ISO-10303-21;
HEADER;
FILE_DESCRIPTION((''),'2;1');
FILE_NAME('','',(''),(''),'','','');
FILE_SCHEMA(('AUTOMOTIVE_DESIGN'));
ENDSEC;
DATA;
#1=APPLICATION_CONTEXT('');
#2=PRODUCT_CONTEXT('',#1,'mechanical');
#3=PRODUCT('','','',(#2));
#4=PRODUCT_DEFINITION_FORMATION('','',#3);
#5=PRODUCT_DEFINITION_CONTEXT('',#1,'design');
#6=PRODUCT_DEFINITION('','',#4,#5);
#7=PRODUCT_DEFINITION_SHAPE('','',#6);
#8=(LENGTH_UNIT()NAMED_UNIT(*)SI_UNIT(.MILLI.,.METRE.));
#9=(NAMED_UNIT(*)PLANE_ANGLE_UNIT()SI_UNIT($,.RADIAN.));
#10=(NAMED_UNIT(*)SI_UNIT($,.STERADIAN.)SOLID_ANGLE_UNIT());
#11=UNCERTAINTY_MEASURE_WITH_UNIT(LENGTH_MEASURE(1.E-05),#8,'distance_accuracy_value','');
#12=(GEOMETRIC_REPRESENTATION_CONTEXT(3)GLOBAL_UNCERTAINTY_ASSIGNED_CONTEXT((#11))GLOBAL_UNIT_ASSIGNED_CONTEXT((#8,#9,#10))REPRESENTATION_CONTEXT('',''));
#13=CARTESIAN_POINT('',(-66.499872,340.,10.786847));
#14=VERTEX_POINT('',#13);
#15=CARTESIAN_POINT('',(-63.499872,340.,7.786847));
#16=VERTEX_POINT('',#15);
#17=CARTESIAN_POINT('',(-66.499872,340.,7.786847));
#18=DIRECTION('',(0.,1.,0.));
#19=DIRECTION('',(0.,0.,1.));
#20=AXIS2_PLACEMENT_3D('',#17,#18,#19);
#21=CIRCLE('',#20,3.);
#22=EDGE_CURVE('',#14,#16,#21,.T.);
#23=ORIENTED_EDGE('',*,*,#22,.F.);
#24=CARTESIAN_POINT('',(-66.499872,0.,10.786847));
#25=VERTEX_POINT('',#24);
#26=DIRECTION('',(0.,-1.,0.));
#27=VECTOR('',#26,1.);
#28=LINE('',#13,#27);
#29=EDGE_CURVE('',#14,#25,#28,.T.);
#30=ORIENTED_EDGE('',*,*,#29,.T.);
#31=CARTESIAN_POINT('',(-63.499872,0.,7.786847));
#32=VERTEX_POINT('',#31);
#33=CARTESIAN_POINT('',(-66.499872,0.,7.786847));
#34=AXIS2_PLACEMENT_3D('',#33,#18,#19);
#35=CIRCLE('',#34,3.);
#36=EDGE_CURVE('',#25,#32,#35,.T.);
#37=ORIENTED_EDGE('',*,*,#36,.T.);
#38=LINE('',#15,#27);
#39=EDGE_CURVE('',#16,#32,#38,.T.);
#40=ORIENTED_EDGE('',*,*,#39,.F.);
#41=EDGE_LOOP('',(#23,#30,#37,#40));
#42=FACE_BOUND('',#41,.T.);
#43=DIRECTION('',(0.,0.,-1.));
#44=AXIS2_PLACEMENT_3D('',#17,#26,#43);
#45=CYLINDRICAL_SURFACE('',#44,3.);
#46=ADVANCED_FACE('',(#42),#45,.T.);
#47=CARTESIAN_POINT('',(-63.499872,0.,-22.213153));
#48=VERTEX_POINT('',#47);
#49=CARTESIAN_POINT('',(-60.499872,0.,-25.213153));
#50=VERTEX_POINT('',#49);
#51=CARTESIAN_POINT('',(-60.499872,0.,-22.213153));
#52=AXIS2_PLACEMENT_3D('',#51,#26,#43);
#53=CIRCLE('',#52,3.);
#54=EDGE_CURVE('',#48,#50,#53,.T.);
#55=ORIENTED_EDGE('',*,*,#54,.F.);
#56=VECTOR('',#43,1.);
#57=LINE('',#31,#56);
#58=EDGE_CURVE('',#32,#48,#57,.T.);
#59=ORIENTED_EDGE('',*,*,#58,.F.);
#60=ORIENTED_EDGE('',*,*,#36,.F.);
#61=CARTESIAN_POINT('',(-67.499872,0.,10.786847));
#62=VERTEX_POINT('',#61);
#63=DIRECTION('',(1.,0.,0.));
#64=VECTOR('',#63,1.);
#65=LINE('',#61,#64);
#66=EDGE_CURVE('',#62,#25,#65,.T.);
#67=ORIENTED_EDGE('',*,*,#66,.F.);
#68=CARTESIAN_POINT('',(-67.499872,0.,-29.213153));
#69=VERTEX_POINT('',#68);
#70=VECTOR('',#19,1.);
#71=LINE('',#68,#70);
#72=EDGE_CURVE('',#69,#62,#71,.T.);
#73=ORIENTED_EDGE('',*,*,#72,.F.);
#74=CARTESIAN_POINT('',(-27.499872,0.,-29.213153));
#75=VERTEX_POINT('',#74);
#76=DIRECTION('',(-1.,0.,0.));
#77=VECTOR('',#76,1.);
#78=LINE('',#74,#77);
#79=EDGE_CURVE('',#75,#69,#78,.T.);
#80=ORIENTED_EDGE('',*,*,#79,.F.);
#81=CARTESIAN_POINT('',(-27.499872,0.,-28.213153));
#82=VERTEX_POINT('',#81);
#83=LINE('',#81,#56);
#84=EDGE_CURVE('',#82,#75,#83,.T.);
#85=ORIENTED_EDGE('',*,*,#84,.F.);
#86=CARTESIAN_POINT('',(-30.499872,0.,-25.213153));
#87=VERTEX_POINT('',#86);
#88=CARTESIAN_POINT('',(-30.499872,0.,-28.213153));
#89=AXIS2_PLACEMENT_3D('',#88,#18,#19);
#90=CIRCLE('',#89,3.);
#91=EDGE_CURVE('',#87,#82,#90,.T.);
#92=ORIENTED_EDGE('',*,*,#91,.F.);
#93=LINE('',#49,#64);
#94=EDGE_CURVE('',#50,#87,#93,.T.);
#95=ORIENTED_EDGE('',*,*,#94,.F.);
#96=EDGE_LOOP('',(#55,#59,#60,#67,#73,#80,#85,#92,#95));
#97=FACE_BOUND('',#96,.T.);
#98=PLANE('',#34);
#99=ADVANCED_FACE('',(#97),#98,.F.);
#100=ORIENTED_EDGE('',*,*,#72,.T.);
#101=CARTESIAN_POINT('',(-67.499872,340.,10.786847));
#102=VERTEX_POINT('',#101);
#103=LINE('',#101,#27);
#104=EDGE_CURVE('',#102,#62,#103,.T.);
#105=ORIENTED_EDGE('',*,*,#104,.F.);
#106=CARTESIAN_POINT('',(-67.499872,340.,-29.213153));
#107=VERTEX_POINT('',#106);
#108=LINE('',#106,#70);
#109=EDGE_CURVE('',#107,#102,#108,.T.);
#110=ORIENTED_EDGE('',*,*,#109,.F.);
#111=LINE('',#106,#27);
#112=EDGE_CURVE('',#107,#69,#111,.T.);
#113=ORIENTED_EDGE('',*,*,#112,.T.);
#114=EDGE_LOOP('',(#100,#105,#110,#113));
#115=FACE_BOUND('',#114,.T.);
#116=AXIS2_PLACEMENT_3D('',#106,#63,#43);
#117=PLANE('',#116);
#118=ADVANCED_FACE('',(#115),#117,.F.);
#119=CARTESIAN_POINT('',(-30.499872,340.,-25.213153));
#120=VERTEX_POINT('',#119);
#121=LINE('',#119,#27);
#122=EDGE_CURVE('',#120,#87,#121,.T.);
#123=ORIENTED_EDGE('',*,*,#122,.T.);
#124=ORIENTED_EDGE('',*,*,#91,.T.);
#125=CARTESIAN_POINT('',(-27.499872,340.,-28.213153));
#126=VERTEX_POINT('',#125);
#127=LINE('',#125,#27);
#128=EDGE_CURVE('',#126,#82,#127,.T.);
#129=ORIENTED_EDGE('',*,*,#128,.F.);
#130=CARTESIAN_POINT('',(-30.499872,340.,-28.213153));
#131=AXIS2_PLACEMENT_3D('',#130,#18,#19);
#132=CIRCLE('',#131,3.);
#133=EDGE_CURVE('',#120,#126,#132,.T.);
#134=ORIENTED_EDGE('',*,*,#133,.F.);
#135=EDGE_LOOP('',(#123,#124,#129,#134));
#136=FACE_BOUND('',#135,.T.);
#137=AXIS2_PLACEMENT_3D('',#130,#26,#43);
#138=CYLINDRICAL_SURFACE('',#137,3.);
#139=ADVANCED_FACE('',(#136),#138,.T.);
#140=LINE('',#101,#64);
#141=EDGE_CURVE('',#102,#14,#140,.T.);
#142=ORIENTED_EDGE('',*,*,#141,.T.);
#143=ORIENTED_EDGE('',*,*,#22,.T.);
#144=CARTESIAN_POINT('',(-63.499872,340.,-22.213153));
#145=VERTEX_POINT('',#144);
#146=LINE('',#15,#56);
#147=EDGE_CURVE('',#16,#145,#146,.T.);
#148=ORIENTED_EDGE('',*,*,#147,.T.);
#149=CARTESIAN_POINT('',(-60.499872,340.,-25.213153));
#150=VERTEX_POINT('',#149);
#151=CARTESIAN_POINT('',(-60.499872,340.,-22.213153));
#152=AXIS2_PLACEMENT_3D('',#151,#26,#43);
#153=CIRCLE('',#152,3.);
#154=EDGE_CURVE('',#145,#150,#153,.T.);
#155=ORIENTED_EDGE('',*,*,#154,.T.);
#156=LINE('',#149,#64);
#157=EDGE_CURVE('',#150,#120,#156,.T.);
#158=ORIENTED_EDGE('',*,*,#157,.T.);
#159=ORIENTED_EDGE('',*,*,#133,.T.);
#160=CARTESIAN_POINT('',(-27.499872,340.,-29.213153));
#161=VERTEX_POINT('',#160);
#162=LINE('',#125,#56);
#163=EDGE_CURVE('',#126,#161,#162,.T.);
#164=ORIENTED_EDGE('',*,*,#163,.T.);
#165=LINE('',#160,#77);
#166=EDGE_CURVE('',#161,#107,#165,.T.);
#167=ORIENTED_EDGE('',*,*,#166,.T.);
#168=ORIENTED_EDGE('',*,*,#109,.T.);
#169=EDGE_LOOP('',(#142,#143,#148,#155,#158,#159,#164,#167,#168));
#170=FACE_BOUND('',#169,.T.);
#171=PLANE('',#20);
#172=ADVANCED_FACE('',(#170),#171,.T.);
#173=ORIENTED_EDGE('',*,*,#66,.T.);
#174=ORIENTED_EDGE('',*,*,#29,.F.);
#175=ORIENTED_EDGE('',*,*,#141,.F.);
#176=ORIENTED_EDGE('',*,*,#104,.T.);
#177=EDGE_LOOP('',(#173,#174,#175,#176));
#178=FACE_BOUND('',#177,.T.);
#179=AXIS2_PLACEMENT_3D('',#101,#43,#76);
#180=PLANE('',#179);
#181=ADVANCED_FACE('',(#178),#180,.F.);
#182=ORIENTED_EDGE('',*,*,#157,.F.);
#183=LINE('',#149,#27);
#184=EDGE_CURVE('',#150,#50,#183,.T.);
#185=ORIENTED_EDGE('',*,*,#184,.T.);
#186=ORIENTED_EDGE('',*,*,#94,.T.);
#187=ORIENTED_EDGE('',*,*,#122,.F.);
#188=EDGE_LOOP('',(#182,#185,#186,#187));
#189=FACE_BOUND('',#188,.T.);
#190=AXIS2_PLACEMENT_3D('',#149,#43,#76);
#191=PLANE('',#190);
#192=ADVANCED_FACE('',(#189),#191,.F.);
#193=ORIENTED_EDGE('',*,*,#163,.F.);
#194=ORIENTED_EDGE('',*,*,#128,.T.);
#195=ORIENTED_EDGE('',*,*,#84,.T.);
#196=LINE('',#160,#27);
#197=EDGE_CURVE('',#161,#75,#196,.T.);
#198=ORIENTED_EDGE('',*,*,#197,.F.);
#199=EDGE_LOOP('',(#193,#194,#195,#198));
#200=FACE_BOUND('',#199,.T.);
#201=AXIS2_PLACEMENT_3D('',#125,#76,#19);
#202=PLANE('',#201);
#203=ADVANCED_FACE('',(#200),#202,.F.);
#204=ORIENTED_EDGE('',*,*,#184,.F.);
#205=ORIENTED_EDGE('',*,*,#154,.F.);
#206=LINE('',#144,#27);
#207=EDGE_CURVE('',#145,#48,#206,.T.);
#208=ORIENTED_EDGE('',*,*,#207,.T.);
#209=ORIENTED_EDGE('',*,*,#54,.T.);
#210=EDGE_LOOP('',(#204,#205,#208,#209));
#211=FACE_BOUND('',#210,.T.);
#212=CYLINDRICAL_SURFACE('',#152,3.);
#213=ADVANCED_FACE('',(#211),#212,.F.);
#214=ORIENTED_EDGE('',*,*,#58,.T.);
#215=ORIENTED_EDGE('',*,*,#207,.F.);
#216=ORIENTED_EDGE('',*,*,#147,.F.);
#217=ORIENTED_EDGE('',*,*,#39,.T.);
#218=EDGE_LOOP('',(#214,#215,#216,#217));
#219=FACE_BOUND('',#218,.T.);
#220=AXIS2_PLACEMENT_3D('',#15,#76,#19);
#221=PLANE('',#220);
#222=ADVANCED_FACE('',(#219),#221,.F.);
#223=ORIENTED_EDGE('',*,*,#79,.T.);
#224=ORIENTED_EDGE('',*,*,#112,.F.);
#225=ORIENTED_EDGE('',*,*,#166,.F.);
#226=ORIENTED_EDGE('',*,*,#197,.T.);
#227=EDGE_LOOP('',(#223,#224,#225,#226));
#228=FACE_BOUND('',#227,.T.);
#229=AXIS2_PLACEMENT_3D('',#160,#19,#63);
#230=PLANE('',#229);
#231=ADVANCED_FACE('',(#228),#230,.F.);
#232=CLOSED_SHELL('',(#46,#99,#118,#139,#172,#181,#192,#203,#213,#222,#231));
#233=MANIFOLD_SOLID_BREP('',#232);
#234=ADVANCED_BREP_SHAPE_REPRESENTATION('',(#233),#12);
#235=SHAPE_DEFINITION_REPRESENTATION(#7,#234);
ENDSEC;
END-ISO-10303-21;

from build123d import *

# Parameters (mm, degrees)
BOSS_EXTRUDE1_DEPTH = 340


with BuildPart() as part:
    # Sketch1 → Boss-Extrude1 (new body)
    with BuildSketch(Plane(origin=(0, 0, 0), x_dir=(1, 0, 0), z_dir=(0, 1, 0))):
        with BuildLine():
            Line((-27.499872145, 29.213153277), (-67.499872145, 29.213153277))
            Line((-67.499872145, 29.213153277), (-67.499872145, -10.786846723))
            Line((-67.499872145, -10.786846723), (-66.499872145, -10.786846723))
            ThreePointArc((-66.499872145, -10.786846723), (-64.378551801, -9.908167067), (-63.499872145, -7.786846723))
            Line((-63.499872145, -7.786846723), (-63.499872145, 22.213153277))
            ThreePointArc((-63.499872145, 22.213153277), (-62.621192489, 24.334473621), (-60.499872145, 25.213153277))
            Line((-60.499872145, 25.213153277), (-30.499872145, 25.213153277))
            ThreePointArc((-30.499872145, 25.213153277), (-28.378551801, 26.091832933), (-27.499872145, 28.213153277))
            Line((-27.499872145, 28.213153277), (-27.499872145, 29.213153277))
        make_face()
    extrude(amount=BOSS_EXTRUDE1_DEPTH)


solid = part.part
